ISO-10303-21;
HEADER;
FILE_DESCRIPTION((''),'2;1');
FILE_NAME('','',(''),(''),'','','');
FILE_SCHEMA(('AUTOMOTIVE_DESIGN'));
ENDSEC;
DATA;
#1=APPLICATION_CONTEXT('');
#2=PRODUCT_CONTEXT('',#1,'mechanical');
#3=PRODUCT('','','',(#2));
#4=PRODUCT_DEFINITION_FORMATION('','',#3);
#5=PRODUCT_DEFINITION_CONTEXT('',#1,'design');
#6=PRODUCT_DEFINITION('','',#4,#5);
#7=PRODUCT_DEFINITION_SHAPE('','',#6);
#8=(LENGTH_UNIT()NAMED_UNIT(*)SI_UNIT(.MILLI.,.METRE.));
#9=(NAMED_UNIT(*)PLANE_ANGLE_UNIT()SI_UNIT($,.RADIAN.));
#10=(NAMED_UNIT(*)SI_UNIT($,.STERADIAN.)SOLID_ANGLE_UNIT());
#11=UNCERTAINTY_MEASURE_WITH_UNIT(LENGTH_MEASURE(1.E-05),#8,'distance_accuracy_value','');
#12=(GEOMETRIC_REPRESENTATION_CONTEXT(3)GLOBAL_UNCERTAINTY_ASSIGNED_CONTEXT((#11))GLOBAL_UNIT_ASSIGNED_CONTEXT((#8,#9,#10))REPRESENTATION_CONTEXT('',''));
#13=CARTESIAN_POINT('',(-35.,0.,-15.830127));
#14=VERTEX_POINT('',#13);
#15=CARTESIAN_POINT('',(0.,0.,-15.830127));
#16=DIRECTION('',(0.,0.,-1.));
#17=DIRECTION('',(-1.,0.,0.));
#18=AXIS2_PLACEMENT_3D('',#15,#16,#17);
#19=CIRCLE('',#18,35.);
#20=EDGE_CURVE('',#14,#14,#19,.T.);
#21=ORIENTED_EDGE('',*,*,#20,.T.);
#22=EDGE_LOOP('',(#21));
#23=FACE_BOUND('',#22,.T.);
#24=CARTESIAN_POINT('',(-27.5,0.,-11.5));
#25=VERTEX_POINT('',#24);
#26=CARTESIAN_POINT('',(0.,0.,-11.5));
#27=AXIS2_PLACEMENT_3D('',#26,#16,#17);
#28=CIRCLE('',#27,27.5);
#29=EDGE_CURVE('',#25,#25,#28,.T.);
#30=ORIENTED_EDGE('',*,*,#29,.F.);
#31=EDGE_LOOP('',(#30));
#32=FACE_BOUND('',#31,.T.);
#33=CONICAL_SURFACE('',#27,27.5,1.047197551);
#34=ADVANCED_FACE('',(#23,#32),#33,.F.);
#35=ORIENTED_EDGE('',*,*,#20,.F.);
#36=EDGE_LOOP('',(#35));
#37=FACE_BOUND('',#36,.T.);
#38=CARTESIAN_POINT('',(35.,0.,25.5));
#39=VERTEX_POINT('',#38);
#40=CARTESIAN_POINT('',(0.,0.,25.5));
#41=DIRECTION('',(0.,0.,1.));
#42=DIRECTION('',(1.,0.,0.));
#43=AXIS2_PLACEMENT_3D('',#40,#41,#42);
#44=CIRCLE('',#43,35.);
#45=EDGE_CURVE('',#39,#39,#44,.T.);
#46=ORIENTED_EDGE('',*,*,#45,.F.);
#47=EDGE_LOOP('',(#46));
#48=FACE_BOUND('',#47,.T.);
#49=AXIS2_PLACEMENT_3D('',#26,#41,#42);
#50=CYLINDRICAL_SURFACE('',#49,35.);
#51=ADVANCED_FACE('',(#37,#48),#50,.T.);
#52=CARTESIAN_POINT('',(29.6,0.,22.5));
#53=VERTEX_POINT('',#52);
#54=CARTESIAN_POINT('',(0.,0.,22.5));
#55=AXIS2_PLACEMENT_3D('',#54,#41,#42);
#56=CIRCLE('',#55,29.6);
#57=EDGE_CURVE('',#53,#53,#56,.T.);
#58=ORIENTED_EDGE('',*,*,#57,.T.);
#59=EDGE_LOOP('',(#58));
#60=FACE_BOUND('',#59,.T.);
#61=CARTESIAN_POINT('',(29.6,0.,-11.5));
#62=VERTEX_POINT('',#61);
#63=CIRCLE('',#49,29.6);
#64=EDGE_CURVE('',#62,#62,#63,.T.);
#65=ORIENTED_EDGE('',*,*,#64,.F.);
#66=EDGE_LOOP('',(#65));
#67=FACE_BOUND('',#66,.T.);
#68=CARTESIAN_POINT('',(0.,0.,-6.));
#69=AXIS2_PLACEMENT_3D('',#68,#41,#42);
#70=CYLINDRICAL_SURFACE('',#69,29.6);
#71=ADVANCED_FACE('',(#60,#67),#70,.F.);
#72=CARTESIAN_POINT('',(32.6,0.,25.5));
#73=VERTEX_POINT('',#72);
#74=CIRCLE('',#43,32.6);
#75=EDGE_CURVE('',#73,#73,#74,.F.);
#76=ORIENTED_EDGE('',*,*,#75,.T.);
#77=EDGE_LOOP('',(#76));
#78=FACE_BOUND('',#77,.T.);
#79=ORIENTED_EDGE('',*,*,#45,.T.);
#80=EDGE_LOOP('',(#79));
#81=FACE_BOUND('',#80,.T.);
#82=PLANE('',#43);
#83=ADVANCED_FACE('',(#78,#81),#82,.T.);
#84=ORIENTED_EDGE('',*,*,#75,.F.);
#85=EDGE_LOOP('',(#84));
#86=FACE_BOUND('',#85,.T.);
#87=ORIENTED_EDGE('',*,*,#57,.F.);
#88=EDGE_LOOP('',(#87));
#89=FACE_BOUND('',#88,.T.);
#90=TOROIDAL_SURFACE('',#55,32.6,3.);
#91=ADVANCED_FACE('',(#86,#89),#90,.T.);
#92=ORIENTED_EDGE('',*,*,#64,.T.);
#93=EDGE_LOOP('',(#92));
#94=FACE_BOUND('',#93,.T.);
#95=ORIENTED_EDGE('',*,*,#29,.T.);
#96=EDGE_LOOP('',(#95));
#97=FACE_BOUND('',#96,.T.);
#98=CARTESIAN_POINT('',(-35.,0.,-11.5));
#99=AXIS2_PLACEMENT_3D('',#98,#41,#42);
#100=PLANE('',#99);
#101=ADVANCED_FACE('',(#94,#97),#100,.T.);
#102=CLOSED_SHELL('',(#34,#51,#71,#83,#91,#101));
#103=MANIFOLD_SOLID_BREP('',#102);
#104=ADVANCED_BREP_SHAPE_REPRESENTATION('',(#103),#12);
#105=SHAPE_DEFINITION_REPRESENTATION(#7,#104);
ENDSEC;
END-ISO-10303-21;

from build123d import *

# Parameters (mm, degrees)
SKETCH1_R           = 31
SKETCH1_R_2         = 29.75
BOSS_EXTRUDE1_DEPTH = 29
SKETCH2_R           = 32.5
SKETCH2_R_2         = 29.6
BOSS_EXTRUDE3_DEPTH = 35
FILLET2_R           = 2
SKETCH3_R           = 32.5
CUT_EXTRUDE1_DEPTH  = 3.5
SKETCH4_R           = 29.6
SKETCH4_R_2         = 27.5
BOSS_EXTRUDE4_DEPTH = 15
CUT_EXTRUDE2_START  = -33
SKETCH5_R           = 29.6
CUT_EXTRUDE2_DEPTH  = 33
SKETCH6_R           = 35
SKETCH6_R_2         = 29.6
BOSS_EXTRUDE5_DEPTH = 37
FILLET3_R           = 3


with BuildPart() as part:
    # Sketch1 → Boss-Extrude1 (new body)
    with BuildSketch(Plane.XY):
        with Locations(Location((0, 0, 0), (0, 0, 180))):
            Circle(SKETCH1_R)
        with Locations(Location((0, 0, 0), (0, 0, 180))):
            Circle(SKETCH1_R_2, mode=Mode.SUBTRACT)
    extrude(amount=BOSS_EXTRUDE1_DEPTH)

    # Sketch2 → Boss-Extrude3 (add)
    with BuildSketch(Plane.XY.offset(29)):
        Circle(SKETCH2_R)
        Circle(SKETCH2_R_2, mode=Mode.SUBTRACT)
    extrude(amount=-BOSS_EXTRUDE3_DEPTH)

    # Fillet2
    fillet2_edges = [part.edges().sort_by_distance(p)[0] for p in [
        (-29.6, 0, -6),
    ]]
    fillet(fillet2_edges, radius=FILLET2_R)

    # Sketch3 → Cut-Extrude1 (cut)
    with BuildSketch(Plane.XY.offset(29)):
        Circle(SKETCH3_R)
    extrude(amount=-CUT_EXTRUDE1_DEPTH, mode=Mode.SUBTRACT)

    # Sketch4 → Boss-Extrude4 (add)
    with BuildSketch(Plane.XY.offset(25.5)):
        Circle(SKETCH4_R)
        Circle(SKETCH4_R_2, mode=Mode.SUBTRACT)
    extrude(amount=-BOSS_EXTRUDE4_DEPTH)

    # Sketch5 → Cut-Extrude2 (cut)
    with BuildSketch(Plane(origin=(0, 0, 10.5), x_dir=(-1, 0, 0), z_dir=(0, 0, -1)).offset(CUT_EXTRUDE2_START)):
        with Locations(Location((0, 0, 0), (0, 0, 180))):
            Circle(SKETCH5_R)
    extrude(amount=CUT_EXTRUDE2_DEPTH, mode=Mode.SUBTRACT)

    # Sketch6 → Boss-Extrude5 (add)
    with BuildSketch(Plane.XY.offset(25.5)):
        Circle(SKETCH6_R)
        Circle(SKETCH6_R_2, mode=Mode.SUBTRACT)
    extrude(amount=-BOSS_EXTRUDE5_DEPTH)

    # Sketch7 → Revolve1 (revolve)
    with BuildSketch(Plane(origin=(0, 0, 0), x_dir=(1, 0, 0), z_dir=(0, 1, 0)), mode=Mode.PRIVATE) as revolve1_sk:
        Polygon((-27.5, 11.5), (-35, 15.830127019), (-35, 11.5), align=None)
    revolve(revolve1_sk.sketch.rotate(Axis((0, 0, -15.830127019), (0, 0, 1)), 180), axis=Axis((0, 0, -15.830127019), (0, 0, 1)))

    # Fillet3
    fillet3_edges = [part.edges().sort_by_distance(p)[0] for p in [
        (-29.6, 0, 25.5),
    ]]
    fillet(fillet3_edges, radius=FILLET3_R)


solid = part.part
